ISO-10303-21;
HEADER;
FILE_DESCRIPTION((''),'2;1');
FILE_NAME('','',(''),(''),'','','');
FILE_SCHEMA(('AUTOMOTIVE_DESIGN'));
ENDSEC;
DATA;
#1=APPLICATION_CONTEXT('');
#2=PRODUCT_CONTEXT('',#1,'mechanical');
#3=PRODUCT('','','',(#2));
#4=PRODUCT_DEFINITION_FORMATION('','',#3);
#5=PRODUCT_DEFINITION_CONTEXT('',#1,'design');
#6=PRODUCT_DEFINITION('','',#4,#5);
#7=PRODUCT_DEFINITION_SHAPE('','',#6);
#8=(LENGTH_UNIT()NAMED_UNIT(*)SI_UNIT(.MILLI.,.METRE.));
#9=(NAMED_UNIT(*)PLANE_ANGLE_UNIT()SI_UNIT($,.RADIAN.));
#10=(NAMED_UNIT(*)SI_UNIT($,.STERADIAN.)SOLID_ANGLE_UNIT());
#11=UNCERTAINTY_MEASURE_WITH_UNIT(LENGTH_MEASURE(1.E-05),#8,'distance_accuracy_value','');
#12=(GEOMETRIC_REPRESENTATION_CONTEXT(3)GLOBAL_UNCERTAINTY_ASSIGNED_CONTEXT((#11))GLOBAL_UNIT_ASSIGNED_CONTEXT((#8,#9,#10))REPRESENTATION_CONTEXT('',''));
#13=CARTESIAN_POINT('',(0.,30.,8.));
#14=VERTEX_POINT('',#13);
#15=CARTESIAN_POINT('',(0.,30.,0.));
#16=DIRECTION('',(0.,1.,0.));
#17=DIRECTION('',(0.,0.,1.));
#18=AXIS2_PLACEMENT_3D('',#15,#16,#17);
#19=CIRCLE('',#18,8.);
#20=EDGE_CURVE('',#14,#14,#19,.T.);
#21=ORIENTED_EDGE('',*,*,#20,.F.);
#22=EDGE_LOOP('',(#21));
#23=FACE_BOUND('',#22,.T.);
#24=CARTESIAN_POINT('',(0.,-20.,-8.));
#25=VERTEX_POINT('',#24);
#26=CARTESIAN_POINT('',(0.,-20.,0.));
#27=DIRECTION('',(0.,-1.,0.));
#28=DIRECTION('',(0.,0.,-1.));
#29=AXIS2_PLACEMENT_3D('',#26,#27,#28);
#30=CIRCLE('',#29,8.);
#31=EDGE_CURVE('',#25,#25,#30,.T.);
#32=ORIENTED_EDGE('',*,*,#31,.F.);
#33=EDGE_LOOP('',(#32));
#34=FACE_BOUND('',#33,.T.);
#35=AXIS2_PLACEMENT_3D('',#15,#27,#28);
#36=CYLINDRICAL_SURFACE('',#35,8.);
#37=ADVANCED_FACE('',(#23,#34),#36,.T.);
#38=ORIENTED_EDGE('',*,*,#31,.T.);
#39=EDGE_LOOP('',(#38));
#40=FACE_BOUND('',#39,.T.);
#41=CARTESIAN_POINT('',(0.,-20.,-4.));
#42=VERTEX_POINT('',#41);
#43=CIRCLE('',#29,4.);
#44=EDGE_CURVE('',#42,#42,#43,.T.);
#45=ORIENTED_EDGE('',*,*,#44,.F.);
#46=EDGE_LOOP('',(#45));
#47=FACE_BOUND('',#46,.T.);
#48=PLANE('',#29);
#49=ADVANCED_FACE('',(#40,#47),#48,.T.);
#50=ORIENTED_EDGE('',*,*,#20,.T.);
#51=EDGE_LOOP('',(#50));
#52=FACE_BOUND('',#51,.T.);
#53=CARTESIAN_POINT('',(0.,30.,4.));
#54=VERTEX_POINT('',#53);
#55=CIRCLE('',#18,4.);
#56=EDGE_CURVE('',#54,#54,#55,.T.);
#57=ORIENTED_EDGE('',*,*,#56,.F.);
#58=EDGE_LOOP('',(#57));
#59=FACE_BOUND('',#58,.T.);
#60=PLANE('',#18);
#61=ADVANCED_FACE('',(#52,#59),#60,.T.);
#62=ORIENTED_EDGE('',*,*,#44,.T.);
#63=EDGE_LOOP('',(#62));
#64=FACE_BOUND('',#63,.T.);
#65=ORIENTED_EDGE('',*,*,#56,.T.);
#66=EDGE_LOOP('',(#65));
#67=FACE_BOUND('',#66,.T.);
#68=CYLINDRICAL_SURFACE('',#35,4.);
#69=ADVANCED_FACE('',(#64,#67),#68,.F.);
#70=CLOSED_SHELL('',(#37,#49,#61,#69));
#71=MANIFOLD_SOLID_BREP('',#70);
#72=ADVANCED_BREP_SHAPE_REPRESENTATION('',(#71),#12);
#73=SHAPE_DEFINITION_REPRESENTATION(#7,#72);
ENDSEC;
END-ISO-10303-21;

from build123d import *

# Parameters (mm, degrees)
ESQUISSE1_R        = 8
ESQUISSE1_R_2      = 4
BOSS_EXTRU_1_DEPTH = 30
BOSS_EXTRU_2_START = 20
ESQUISSE3_R        = 8
ESQUISSE3_R_2      = 4
BOSS_EXTRU_2_DEPTH = 20


with BuildPart() as part:
    # Esquisse1 → Boss.-Extru.1 (new body)
    with BuildSketch(Plane(origin=(0, 0, 0), x_dir=(1, 0, 0), z_dir=(0, 1, 0))):
        with Locations(Location((0, 0, 0), (0, 0, 270))):
            Circle(ESQUISSE1_R)
        with Locations(Location((0, 0, 0), (0, 0, 270))):
            Circle(ESQUISSE1_R_2, mode=Mode.SUBTRACT)
    extrude(amount=BOSS_EXTRU_1_DEPTH)

    # Esquisse3 → Boss.-Extru.2 (add)
    with BuildSketch(Plane.XZ.offset(BOSS_EXTRU_2_START)):
        with Locations(Location((0, 0, 0), (0, 0, 270))):
            Circle(ESQUISSE3_R)
        with Locations(Location((0, 0, 0), (0, 0, 270))):
            Circle(ESQUISSE3_R_2, mode=Mode.SUBTRACT)
    extrude(amount=-BOSS_EXTRU_2_DEPTH)


solid = part.part
